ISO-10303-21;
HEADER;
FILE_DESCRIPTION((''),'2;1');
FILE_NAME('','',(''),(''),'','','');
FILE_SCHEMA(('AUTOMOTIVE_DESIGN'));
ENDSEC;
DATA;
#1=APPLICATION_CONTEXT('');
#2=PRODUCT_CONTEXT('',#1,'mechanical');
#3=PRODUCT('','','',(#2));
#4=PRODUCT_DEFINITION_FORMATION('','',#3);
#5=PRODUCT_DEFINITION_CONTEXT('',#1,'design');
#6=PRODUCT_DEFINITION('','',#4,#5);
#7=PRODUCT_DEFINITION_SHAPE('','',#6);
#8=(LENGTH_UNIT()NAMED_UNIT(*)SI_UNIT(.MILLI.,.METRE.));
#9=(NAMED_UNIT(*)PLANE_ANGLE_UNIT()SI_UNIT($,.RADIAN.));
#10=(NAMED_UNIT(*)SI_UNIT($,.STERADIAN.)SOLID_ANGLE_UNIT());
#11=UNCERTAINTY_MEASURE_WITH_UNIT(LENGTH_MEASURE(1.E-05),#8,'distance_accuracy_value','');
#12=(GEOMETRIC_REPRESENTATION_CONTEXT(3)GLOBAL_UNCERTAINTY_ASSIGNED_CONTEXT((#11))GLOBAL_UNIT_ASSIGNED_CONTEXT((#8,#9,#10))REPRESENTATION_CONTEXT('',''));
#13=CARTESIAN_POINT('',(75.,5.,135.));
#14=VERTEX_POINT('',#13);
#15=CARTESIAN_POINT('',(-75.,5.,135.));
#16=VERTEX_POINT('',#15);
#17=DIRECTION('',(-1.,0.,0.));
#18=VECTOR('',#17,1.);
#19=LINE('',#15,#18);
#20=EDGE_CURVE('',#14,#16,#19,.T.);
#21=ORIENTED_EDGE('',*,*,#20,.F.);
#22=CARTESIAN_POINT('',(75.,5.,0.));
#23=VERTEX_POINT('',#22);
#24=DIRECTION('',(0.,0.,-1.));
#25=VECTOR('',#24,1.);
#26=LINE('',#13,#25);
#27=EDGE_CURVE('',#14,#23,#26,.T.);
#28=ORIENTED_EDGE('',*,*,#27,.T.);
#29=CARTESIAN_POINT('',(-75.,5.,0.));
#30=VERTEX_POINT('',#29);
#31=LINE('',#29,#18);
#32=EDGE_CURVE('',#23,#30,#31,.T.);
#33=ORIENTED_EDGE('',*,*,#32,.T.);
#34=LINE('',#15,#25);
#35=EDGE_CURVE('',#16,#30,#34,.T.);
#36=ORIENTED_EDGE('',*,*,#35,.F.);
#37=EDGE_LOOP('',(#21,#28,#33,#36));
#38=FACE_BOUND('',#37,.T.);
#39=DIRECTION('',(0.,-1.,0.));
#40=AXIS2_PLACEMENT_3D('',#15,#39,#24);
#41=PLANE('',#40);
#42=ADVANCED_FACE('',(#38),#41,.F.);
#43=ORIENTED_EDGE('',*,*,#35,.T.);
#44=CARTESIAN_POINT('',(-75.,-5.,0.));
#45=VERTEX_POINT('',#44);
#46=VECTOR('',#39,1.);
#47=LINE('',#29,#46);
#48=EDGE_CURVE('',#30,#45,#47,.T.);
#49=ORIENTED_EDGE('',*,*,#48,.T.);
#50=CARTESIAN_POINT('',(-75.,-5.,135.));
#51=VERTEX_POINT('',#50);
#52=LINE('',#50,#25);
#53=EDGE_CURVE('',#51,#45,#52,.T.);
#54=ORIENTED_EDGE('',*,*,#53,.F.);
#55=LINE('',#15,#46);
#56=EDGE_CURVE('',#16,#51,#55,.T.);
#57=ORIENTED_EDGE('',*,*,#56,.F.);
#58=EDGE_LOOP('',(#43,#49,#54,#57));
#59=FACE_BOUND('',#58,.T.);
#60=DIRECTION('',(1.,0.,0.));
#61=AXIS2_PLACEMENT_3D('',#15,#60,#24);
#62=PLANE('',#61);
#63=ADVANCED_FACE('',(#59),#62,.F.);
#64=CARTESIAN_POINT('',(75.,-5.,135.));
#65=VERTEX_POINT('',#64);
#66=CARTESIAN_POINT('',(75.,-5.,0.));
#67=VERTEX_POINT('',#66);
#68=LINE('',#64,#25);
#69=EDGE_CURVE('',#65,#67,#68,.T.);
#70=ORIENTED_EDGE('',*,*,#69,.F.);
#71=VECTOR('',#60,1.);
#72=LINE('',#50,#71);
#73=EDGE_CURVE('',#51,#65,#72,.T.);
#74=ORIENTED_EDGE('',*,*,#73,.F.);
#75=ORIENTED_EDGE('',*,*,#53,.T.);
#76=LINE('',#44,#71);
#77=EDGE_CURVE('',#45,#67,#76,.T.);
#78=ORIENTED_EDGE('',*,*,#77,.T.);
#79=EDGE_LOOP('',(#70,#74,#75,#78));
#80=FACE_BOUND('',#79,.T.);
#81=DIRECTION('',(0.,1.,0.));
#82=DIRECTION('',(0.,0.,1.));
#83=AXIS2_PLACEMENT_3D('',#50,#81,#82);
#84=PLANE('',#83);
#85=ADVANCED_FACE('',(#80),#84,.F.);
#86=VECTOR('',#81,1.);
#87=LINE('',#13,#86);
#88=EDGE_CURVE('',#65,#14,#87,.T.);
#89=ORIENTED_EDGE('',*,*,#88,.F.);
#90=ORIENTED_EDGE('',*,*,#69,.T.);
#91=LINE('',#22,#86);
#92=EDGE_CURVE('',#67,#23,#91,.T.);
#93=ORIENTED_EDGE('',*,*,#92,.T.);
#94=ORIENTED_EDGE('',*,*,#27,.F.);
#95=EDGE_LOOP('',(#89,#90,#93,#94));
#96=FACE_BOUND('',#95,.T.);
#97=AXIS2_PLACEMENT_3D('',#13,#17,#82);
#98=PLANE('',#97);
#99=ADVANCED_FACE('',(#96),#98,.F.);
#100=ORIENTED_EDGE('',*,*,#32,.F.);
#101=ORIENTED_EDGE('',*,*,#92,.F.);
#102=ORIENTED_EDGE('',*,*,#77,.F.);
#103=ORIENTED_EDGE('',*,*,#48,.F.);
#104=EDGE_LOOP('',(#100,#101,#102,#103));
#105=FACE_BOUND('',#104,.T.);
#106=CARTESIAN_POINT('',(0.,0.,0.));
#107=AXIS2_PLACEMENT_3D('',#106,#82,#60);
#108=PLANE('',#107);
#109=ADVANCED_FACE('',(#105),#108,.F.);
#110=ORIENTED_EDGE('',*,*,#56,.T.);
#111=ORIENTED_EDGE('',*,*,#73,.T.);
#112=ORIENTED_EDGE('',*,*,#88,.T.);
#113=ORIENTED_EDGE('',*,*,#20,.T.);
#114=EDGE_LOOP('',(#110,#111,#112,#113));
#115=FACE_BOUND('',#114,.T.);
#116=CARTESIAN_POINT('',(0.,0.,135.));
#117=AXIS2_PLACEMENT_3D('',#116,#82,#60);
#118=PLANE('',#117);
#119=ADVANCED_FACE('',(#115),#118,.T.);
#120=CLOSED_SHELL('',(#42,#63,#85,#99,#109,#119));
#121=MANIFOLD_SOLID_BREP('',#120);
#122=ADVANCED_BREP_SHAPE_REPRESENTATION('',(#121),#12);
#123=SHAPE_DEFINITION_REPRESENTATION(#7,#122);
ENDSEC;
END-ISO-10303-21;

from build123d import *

# Parameters (mm, degrees)
SKETCH1_W           = 150
SKETCH1_H           = 10
BOSS_EXTRUDE1_DEPTH = 135


with BuildPart() as part:
    # Sketch1 → Boss-Extrude1 (new body)
    with BuildSketch(Plane.XY):
        Rectangle(SKETCH1_W, SKETCH1_H)
    extrude(amount=BOSS_EXTRUDE1_DEPTH)


solid = part.part
